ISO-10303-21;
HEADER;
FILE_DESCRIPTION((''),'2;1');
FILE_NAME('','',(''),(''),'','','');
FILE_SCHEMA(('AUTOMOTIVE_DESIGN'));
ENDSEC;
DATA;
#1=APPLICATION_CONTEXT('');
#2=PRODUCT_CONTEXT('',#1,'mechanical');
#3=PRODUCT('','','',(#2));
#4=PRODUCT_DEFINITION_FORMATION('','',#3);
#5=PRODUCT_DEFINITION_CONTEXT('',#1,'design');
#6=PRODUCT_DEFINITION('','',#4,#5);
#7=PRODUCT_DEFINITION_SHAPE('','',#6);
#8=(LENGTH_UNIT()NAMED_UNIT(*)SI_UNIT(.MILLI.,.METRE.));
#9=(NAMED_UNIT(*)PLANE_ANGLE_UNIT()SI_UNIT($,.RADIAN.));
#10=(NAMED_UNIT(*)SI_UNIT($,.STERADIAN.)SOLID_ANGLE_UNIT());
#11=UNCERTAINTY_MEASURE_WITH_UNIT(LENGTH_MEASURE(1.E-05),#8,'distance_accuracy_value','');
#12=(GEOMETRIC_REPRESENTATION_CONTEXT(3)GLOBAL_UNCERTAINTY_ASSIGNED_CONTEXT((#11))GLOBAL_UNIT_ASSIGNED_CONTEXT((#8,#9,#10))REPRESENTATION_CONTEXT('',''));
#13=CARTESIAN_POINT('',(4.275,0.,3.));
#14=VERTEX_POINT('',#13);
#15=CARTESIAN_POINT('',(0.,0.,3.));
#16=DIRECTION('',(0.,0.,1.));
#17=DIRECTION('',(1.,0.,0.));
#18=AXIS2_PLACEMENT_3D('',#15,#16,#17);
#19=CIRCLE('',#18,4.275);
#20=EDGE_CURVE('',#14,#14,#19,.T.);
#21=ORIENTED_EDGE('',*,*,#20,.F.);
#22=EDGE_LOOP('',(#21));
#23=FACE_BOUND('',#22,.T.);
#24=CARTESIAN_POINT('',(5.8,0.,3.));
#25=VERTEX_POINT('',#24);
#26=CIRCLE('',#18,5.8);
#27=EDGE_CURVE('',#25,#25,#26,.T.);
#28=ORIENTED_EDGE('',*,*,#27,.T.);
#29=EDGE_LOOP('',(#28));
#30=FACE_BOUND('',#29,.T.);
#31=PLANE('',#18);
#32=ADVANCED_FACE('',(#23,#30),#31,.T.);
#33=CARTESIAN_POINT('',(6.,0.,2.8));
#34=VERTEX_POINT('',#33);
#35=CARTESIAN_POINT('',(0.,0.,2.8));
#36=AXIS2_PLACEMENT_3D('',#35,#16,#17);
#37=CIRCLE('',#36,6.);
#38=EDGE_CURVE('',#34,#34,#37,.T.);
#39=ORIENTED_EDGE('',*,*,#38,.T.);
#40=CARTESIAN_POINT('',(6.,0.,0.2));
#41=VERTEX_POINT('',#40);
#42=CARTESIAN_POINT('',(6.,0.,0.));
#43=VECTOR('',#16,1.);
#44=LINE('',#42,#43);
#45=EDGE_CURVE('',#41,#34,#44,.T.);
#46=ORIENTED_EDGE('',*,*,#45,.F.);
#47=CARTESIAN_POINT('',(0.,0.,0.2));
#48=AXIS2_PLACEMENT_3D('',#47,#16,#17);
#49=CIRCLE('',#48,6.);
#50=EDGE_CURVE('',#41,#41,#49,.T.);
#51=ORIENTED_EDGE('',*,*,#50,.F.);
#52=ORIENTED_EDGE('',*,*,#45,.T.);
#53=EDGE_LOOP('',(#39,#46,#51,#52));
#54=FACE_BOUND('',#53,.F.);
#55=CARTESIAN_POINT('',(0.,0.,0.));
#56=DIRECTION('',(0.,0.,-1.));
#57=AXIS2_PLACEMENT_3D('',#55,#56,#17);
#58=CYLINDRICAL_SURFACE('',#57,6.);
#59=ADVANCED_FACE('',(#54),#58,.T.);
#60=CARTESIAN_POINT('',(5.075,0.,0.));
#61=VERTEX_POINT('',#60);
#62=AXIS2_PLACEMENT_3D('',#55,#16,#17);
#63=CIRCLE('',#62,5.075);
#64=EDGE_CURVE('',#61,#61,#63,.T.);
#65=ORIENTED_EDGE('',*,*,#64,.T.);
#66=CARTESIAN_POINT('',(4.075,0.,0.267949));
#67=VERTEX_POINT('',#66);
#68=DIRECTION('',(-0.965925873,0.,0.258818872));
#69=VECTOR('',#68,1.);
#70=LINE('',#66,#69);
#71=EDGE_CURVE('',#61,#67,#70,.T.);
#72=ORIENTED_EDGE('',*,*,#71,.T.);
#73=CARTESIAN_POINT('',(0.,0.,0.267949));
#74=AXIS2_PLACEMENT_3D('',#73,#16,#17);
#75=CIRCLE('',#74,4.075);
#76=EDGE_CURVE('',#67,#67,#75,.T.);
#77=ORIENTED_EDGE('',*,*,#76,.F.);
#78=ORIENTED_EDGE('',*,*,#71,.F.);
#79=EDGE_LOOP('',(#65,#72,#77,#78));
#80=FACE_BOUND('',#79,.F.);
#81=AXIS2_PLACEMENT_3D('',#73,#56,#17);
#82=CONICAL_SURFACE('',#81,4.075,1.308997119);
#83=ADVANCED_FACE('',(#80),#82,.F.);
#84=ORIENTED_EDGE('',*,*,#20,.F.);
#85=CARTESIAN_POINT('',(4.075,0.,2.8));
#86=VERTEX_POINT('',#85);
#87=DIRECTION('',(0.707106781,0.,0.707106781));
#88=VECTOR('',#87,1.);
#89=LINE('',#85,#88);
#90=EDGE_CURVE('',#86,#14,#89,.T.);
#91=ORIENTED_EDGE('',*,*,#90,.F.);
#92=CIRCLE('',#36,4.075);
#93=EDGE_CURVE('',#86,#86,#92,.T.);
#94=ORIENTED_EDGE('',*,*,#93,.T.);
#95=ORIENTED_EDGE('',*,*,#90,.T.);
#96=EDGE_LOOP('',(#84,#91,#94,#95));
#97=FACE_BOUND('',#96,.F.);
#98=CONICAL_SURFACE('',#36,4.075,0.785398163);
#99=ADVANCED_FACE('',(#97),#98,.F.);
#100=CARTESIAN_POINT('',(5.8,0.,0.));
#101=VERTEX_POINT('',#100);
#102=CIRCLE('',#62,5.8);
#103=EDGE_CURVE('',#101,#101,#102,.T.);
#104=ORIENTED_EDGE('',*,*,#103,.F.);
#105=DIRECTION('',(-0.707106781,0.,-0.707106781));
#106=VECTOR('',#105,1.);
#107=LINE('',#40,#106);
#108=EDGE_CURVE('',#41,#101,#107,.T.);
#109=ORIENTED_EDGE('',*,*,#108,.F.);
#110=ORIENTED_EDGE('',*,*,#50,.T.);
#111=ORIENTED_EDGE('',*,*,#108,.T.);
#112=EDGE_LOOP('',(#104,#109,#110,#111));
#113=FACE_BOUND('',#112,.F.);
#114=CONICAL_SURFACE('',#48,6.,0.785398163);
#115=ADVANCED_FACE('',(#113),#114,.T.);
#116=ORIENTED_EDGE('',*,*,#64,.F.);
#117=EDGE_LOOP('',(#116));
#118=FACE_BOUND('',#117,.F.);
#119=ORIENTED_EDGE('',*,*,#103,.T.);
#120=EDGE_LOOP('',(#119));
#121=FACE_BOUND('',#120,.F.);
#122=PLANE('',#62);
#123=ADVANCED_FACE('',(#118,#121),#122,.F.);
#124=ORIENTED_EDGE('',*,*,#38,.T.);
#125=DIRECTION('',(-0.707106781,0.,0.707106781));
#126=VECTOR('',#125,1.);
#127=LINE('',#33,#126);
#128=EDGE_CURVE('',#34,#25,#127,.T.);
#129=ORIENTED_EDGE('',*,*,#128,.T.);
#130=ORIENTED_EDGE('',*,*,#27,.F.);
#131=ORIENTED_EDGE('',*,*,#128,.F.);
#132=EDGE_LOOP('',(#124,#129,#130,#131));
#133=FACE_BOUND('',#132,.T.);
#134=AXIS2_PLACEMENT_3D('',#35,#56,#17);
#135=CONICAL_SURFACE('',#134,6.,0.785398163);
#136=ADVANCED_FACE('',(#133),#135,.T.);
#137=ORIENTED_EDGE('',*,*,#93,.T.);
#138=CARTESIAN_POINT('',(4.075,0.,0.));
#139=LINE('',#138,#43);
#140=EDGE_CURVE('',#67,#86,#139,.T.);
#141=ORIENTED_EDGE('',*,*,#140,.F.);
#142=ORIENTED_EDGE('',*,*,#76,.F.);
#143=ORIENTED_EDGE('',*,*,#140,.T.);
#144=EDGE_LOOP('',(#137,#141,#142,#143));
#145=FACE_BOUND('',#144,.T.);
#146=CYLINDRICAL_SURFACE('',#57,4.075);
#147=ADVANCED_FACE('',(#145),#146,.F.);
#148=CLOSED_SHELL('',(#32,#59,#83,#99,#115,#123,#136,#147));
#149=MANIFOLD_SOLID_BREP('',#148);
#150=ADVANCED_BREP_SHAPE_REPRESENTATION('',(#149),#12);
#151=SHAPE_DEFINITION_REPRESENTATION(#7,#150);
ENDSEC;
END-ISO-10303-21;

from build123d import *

# Parameters (mm, degrees)
F0_R     = 6
F0_R_2   = 4.075
F1_DEPTH = 3
F2_SIZE  = 0.2
F3_SIZE2 = 0.267949
F3_SIZE  = 1


with BuildPart() as f1:
    # F0 (on Top) → F1 (new body)
    with BuildSketch(Plane.XY):
        Circle(F0_R)
        Circle(F0_R_2, mode=Mode.SUBTRACT)
    extrude(amount=F1_DEPTH)

    # F2
    f2_edges = [f1.edges().sort_by_distance(p)[0] for p in [
        (-4.075, 0, 3),
        (-6, 0, 0),
        (-6, 0, 3),
    ]]
    chamfer(f2_edges, length=F2_SIZE)

    # F3
    f3_edges = [f1.edges().sort_by_distance(p)[0] for p in [
        (-4.075, 0, 0),
    ]]
    chamfer(f3_edges, length=F3_SIZE, length2=F3_SIZE2)


solid = f1.part
